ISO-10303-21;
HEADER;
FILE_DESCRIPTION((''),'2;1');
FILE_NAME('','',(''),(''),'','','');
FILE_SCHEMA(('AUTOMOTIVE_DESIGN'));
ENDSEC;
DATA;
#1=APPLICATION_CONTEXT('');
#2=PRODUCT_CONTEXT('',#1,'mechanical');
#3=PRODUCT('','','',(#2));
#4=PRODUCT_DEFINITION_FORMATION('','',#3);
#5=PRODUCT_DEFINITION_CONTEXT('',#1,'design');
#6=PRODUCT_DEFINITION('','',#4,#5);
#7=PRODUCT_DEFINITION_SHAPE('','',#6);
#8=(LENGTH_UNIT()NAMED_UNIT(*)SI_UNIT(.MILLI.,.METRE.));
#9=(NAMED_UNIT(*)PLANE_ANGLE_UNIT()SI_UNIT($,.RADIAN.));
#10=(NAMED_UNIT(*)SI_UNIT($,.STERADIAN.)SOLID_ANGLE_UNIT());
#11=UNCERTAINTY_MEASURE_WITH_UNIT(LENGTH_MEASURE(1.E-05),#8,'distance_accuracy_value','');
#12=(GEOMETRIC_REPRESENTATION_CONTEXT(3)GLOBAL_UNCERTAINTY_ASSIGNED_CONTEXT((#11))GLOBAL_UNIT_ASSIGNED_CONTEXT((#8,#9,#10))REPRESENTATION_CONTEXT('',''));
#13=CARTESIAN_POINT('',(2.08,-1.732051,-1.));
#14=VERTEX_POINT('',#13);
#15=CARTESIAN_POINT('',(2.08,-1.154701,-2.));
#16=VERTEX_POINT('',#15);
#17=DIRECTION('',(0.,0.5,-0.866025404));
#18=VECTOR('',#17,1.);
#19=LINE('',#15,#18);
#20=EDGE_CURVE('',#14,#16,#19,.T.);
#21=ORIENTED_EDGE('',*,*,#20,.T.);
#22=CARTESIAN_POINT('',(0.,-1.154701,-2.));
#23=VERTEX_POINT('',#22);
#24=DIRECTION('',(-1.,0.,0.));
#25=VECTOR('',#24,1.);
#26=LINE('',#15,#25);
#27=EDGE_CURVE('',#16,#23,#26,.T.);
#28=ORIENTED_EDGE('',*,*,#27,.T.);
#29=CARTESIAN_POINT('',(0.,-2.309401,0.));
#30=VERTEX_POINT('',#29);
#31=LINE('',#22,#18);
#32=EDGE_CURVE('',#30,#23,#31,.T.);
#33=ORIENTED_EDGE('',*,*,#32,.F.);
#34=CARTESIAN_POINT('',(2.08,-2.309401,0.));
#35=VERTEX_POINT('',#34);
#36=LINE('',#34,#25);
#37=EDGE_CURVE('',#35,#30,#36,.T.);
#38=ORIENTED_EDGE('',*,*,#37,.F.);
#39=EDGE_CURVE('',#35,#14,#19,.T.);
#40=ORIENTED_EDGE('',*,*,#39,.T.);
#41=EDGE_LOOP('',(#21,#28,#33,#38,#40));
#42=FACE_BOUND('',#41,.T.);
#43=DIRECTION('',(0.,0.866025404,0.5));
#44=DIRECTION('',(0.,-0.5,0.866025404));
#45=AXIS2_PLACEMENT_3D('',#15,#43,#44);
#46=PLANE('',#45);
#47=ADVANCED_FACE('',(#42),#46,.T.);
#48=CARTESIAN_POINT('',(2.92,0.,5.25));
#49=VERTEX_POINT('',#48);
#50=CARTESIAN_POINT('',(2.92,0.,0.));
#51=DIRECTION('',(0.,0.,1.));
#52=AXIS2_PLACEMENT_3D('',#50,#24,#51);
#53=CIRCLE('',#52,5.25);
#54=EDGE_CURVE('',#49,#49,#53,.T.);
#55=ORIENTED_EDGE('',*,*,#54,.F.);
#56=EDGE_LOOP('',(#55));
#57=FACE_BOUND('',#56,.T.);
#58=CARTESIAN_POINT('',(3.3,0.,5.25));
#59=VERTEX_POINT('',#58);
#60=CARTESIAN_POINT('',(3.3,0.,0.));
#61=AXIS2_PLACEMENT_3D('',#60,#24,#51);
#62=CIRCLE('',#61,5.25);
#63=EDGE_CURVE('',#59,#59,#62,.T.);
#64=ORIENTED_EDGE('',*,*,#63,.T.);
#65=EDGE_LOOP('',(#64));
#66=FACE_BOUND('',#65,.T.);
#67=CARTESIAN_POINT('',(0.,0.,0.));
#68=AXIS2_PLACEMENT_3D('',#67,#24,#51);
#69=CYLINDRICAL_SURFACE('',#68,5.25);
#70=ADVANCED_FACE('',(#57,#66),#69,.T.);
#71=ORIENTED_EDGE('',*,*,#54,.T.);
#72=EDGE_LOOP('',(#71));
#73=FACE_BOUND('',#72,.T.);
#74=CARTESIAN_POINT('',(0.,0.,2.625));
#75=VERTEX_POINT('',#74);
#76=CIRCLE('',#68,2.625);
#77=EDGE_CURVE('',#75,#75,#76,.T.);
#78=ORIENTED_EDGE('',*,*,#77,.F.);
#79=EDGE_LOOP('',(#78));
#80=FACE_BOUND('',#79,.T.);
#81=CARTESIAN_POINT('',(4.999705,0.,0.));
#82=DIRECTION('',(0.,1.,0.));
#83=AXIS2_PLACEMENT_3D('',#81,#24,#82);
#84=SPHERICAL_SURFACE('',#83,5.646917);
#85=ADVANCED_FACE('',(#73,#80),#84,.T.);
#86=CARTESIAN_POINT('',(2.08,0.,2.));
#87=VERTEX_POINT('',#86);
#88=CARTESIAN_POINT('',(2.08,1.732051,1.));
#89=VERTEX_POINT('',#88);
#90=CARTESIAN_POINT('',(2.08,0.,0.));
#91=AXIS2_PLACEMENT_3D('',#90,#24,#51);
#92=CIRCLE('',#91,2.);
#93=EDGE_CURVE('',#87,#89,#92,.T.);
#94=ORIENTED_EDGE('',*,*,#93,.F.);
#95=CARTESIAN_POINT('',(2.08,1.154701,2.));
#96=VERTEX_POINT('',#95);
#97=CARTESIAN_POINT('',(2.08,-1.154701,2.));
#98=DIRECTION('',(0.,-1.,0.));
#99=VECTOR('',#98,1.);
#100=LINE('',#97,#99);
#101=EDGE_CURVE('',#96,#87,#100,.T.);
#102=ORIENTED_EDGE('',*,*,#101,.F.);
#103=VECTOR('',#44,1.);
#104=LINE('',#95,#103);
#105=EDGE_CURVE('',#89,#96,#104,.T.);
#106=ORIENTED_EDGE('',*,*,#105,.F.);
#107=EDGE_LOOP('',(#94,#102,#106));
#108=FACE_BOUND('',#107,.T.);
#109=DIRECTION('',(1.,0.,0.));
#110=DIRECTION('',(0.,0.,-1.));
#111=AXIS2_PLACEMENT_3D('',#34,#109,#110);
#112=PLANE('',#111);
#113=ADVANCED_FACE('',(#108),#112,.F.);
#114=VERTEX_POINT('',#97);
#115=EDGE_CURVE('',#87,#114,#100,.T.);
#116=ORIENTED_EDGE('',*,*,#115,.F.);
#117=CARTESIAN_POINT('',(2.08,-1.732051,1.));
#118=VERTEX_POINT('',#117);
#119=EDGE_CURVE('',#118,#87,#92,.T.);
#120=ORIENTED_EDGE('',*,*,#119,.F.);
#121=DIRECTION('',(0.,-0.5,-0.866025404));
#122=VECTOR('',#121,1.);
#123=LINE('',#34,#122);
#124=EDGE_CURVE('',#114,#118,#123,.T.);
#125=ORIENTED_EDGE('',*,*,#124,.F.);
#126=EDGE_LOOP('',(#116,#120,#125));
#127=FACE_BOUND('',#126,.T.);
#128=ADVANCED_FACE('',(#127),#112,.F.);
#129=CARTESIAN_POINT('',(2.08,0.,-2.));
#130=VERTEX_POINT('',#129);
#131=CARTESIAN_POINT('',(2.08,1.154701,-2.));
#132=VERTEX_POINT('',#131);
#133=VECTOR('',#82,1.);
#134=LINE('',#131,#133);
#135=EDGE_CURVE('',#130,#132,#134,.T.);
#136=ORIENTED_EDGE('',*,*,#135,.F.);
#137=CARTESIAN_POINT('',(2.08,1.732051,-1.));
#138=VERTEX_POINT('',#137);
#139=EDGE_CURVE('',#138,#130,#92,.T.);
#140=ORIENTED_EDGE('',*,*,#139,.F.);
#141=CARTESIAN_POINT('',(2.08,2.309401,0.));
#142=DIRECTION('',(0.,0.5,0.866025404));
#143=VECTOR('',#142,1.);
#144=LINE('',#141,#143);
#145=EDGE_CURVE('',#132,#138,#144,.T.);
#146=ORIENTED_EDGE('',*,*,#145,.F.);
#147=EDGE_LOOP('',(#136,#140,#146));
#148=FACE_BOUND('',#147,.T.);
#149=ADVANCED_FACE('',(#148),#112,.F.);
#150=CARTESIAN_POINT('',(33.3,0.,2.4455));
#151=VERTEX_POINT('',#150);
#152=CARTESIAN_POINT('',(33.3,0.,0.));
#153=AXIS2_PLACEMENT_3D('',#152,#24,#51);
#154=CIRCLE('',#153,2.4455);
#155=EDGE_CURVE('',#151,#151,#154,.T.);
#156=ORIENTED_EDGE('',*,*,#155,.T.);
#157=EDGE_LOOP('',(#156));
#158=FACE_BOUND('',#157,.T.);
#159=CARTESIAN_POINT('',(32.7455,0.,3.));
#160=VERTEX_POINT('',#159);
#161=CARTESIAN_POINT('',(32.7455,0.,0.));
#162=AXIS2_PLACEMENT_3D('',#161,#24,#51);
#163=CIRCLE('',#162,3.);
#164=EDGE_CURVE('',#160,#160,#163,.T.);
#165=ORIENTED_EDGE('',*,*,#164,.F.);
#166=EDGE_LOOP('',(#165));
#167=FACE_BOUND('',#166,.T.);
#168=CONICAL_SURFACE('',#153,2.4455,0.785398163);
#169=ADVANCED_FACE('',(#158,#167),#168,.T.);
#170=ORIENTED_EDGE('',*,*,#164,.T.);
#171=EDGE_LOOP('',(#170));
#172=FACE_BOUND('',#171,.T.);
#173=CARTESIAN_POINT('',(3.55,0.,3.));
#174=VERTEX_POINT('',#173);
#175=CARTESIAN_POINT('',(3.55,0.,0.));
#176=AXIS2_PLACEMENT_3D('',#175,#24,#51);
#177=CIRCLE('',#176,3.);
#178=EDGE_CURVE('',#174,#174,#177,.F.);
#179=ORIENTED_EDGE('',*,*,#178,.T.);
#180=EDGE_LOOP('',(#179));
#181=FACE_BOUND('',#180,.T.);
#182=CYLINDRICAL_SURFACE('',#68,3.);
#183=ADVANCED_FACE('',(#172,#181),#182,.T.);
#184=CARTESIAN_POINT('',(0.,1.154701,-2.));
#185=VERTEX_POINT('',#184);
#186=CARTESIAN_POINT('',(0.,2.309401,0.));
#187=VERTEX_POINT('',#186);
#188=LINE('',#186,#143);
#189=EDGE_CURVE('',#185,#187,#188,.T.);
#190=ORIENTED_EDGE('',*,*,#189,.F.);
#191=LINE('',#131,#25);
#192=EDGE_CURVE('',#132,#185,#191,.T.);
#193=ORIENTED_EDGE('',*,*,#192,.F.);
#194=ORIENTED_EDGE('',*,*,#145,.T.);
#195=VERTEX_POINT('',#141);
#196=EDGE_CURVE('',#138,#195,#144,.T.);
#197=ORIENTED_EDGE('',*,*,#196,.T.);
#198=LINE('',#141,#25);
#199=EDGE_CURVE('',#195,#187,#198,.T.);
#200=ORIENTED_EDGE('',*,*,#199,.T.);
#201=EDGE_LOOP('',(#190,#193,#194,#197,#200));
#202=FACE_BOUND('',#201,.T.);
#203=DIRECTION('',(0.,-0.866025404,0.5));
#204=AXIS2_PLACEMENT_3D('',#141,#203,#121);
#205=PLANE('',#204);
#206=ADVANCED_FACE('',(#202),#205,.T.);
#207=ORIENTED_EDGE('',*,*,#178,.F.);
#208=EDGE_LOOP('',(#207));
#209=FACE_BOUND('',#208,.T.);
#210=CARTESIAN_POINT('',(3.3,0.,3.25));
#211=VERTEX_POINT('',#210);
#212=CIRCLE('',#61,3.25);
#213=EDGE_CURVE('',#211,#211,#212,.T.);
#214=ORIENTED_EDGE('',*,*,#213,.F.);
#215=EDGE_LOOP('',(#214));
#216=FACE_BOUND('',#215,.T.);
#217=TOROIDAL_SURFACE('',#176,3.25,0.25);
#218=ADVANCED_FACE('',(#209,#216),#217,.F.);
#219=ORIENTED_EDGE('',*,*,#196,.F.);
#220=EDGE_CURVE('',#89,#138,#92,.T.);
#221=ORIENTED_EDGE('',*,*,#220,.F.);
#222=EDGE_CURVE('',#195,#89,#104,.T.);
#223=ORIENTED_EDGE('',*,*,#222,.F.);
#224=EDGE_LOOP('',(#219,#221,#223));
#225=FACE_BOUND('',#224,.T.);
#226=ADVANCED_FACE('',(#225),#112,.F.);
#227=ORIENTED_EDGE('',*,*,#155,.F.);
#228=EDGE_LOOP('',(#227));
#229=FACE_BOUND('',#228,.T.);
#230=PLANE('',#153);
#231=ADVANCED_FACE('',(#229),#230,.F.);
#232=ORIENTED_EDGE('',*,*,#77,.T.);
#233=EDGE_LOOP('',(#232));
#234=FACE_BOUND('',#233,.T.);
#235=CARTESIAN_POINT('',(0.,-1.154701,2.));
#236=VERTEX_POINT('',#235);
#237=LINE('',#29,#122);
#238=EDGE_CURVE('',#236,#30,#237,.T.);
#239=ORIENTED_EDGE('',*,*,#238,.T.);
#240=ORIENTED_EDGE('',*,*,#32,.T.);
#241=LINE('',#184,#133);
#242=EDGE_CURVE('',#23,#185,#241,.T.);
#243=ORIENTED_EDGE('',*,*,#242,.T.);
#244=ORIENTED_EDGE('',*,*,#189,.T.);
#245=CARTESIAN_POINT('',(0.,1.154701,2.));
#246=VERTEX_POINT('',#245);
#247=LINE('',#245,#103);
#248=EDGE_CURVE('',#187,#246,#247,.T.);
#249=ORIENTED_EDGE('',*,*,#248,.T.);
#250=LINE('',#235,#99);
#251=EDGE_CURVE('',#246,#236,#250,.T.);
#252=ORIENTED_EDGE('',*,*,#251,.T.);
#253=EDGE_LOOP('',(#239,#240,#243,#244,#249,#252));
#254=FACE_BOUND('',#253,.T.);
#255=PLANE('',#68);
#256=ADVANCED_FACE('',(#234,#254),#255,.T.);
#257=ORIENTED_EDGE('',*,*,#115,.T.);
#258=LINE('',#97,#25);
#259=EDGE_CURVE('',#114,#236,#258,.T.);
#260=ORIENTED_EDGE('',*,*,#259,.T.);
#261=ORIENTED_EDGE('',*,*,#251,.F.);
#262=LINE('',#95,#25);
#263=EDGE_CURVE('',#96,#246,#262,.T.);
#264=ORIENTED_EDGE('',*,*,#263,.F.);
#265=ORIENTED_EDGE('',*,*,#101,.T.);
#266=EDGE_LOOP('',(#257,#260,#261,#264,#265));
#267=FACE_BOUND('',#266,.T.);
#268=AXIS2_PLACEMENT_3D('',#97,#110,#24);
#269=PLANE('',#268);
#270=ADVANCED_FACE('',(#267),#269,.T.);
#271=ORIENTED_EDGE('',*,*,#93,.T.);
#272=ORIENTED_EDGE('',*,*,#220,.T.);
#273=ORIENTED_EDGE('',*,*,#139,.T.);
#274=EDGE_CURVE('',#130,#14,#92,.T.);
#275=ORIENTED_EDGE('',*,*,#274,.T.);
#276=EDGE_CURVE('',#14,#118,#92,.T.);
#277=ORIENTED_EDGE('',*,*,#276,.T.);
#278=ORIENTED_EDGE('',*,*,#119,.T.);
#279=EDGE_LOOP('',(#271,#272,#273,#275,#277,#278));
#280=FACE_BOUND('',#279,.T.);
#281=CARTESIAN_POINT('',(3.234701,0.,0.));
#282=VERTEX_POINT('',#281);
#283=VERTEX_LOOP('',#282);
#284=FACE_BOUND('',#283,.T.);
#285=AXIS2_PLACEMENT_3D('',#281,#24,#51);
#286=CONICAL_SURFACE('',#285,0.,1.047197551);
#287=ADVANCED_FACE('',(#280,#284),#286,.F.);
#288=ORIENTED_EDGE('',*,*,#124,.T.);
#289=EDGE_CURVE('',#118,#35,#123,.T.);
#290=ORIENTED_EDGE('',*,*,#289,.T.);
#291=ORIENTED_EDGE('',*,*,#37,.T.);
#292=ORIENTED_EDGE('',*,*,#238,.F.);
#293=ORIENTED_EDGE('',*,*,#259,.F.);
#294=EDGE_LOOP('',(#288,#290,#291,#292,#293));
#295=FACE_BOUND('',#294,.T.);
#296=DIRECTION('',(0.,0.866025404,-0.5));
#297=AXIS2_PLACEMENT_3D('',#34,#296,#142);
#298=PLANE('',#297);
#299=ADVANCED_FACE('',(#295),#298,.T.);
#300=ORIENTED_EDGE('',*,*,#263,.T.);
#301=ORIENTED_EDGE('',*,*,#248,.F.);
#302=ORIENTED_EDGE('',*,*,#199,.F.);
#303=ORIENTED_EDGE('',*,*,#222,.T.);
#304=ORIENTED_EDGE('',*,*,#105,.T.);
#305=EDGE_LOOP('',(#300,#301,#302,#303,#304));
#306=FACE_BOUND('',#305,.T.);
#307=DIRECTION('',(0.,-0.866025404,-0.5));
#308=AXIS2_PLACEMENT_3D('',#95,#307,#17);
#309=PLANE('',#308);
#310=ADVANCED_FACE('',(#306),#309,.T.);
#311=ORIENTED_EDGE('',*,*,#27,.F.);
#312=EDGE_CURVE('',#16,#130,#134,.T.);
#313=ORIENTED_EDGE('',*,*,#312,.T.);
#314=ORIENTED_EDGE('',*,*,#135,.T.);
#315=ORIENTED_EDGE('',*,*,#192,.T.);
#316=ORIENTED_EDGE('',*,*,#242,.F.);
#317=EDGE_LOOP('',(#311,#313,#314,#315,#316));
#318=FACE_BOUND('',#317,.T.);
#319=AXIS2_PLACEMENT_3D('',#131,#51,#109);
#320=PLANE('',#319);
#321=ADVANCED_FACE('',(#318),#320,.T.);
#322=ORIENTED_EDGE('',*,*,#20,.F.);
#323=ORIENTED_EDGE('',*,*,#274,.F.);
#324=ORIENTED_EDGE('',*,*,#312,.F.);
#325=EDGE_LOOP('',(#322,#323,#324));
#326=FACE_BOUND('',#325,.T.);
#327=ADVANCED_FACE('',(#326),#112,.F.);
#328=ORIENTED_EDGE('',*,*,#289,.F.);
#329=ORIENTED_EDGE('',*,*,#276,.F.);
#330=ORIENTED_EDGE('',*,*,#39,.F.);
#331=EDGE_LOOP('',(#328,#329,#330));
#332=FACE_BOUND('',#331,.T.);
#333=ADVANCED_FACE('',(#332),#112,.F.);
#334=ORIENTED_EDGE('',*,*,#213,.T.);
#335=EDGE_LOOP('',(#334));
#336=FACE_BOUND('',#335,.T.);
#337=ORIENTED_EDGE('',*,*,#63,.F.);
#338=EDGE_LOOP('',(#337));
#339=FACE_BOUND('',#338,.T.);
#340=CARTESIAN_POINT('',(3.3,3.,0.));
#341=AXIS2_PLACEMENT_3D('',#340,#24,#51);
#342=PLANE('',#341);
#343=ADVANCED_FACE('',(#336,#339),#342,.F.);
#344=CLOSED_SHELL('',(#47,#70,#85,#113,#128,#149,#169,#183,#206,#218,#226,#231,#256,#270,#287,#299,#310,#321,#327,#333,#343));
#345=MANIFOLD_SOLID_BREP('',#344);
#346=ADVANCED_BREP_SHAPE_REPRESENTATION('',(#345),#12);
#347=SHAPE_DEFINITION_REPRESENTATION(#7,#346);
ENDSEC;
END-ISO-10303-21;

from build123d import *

# Parameters (mm, degrees)
FILLET1_R   = 0.25
HEX_2_DEPTH = 2.08


with BuildPart() as part:
    # BodySke → BaseBody (revolve)
    with BuildSketch(Plane.XY):
        with BuildLine():
            Line((33.3, 0), (33.3, 2.4455))
            Line((33.3, 2.4455), (32.7455, 3))
            Line((32.7455, 3), (3.3, 3))
            Line((3.3, 3), (3.3, 5.25))
            Line((3.3, 5.25), (2.92, 5.25))
            ThreePointArc((2.92, 5.25), (1.224500646, 4.199464996), (0, 2.625))
            Line((0, 2.625), (0, 0))
            Line((0, 0), (33.3, 0))
        make_face()
    revolve(axis=Axis((0, 0, 0), (1, 0, 0)))

    # Fillet1
    fillet1_edges = [part.edges().sort_by_distance(p)[0] for p in [
        (3.3, -3, 0),
    ]]
    fillet(fillet1_edges, radius=FILLET1_R)

    # Sketch2 → PreBroach (revolve, cut)
    with BuildSketch(Plane.XY):
        Polygon((0, 2), (2.08, 2), (3.234700538, 0), (0, 0), align=None)
    revolve(axis=Axis((0, 0, 0), (1, 0, 0)), mode=Mode.SUBTRACT)

    # Sketch3 → Hex 2 (cut)
    with BuildSketch(Plane(origin=(0, 0, 0), x_dir=(0, 0, -1), z_dir=(1, 0, 0))):
        Polygon((-2, -1.154700538), (-2, 1.154700538), (0, 2.309401077), (2, 1.154700538), (2, -1.154700538), (0, -2.309401077), align=None)
    extrude(amount=HEX_2_DEPTH, mode=Mode.SUBTRACT)


solid = part.part
